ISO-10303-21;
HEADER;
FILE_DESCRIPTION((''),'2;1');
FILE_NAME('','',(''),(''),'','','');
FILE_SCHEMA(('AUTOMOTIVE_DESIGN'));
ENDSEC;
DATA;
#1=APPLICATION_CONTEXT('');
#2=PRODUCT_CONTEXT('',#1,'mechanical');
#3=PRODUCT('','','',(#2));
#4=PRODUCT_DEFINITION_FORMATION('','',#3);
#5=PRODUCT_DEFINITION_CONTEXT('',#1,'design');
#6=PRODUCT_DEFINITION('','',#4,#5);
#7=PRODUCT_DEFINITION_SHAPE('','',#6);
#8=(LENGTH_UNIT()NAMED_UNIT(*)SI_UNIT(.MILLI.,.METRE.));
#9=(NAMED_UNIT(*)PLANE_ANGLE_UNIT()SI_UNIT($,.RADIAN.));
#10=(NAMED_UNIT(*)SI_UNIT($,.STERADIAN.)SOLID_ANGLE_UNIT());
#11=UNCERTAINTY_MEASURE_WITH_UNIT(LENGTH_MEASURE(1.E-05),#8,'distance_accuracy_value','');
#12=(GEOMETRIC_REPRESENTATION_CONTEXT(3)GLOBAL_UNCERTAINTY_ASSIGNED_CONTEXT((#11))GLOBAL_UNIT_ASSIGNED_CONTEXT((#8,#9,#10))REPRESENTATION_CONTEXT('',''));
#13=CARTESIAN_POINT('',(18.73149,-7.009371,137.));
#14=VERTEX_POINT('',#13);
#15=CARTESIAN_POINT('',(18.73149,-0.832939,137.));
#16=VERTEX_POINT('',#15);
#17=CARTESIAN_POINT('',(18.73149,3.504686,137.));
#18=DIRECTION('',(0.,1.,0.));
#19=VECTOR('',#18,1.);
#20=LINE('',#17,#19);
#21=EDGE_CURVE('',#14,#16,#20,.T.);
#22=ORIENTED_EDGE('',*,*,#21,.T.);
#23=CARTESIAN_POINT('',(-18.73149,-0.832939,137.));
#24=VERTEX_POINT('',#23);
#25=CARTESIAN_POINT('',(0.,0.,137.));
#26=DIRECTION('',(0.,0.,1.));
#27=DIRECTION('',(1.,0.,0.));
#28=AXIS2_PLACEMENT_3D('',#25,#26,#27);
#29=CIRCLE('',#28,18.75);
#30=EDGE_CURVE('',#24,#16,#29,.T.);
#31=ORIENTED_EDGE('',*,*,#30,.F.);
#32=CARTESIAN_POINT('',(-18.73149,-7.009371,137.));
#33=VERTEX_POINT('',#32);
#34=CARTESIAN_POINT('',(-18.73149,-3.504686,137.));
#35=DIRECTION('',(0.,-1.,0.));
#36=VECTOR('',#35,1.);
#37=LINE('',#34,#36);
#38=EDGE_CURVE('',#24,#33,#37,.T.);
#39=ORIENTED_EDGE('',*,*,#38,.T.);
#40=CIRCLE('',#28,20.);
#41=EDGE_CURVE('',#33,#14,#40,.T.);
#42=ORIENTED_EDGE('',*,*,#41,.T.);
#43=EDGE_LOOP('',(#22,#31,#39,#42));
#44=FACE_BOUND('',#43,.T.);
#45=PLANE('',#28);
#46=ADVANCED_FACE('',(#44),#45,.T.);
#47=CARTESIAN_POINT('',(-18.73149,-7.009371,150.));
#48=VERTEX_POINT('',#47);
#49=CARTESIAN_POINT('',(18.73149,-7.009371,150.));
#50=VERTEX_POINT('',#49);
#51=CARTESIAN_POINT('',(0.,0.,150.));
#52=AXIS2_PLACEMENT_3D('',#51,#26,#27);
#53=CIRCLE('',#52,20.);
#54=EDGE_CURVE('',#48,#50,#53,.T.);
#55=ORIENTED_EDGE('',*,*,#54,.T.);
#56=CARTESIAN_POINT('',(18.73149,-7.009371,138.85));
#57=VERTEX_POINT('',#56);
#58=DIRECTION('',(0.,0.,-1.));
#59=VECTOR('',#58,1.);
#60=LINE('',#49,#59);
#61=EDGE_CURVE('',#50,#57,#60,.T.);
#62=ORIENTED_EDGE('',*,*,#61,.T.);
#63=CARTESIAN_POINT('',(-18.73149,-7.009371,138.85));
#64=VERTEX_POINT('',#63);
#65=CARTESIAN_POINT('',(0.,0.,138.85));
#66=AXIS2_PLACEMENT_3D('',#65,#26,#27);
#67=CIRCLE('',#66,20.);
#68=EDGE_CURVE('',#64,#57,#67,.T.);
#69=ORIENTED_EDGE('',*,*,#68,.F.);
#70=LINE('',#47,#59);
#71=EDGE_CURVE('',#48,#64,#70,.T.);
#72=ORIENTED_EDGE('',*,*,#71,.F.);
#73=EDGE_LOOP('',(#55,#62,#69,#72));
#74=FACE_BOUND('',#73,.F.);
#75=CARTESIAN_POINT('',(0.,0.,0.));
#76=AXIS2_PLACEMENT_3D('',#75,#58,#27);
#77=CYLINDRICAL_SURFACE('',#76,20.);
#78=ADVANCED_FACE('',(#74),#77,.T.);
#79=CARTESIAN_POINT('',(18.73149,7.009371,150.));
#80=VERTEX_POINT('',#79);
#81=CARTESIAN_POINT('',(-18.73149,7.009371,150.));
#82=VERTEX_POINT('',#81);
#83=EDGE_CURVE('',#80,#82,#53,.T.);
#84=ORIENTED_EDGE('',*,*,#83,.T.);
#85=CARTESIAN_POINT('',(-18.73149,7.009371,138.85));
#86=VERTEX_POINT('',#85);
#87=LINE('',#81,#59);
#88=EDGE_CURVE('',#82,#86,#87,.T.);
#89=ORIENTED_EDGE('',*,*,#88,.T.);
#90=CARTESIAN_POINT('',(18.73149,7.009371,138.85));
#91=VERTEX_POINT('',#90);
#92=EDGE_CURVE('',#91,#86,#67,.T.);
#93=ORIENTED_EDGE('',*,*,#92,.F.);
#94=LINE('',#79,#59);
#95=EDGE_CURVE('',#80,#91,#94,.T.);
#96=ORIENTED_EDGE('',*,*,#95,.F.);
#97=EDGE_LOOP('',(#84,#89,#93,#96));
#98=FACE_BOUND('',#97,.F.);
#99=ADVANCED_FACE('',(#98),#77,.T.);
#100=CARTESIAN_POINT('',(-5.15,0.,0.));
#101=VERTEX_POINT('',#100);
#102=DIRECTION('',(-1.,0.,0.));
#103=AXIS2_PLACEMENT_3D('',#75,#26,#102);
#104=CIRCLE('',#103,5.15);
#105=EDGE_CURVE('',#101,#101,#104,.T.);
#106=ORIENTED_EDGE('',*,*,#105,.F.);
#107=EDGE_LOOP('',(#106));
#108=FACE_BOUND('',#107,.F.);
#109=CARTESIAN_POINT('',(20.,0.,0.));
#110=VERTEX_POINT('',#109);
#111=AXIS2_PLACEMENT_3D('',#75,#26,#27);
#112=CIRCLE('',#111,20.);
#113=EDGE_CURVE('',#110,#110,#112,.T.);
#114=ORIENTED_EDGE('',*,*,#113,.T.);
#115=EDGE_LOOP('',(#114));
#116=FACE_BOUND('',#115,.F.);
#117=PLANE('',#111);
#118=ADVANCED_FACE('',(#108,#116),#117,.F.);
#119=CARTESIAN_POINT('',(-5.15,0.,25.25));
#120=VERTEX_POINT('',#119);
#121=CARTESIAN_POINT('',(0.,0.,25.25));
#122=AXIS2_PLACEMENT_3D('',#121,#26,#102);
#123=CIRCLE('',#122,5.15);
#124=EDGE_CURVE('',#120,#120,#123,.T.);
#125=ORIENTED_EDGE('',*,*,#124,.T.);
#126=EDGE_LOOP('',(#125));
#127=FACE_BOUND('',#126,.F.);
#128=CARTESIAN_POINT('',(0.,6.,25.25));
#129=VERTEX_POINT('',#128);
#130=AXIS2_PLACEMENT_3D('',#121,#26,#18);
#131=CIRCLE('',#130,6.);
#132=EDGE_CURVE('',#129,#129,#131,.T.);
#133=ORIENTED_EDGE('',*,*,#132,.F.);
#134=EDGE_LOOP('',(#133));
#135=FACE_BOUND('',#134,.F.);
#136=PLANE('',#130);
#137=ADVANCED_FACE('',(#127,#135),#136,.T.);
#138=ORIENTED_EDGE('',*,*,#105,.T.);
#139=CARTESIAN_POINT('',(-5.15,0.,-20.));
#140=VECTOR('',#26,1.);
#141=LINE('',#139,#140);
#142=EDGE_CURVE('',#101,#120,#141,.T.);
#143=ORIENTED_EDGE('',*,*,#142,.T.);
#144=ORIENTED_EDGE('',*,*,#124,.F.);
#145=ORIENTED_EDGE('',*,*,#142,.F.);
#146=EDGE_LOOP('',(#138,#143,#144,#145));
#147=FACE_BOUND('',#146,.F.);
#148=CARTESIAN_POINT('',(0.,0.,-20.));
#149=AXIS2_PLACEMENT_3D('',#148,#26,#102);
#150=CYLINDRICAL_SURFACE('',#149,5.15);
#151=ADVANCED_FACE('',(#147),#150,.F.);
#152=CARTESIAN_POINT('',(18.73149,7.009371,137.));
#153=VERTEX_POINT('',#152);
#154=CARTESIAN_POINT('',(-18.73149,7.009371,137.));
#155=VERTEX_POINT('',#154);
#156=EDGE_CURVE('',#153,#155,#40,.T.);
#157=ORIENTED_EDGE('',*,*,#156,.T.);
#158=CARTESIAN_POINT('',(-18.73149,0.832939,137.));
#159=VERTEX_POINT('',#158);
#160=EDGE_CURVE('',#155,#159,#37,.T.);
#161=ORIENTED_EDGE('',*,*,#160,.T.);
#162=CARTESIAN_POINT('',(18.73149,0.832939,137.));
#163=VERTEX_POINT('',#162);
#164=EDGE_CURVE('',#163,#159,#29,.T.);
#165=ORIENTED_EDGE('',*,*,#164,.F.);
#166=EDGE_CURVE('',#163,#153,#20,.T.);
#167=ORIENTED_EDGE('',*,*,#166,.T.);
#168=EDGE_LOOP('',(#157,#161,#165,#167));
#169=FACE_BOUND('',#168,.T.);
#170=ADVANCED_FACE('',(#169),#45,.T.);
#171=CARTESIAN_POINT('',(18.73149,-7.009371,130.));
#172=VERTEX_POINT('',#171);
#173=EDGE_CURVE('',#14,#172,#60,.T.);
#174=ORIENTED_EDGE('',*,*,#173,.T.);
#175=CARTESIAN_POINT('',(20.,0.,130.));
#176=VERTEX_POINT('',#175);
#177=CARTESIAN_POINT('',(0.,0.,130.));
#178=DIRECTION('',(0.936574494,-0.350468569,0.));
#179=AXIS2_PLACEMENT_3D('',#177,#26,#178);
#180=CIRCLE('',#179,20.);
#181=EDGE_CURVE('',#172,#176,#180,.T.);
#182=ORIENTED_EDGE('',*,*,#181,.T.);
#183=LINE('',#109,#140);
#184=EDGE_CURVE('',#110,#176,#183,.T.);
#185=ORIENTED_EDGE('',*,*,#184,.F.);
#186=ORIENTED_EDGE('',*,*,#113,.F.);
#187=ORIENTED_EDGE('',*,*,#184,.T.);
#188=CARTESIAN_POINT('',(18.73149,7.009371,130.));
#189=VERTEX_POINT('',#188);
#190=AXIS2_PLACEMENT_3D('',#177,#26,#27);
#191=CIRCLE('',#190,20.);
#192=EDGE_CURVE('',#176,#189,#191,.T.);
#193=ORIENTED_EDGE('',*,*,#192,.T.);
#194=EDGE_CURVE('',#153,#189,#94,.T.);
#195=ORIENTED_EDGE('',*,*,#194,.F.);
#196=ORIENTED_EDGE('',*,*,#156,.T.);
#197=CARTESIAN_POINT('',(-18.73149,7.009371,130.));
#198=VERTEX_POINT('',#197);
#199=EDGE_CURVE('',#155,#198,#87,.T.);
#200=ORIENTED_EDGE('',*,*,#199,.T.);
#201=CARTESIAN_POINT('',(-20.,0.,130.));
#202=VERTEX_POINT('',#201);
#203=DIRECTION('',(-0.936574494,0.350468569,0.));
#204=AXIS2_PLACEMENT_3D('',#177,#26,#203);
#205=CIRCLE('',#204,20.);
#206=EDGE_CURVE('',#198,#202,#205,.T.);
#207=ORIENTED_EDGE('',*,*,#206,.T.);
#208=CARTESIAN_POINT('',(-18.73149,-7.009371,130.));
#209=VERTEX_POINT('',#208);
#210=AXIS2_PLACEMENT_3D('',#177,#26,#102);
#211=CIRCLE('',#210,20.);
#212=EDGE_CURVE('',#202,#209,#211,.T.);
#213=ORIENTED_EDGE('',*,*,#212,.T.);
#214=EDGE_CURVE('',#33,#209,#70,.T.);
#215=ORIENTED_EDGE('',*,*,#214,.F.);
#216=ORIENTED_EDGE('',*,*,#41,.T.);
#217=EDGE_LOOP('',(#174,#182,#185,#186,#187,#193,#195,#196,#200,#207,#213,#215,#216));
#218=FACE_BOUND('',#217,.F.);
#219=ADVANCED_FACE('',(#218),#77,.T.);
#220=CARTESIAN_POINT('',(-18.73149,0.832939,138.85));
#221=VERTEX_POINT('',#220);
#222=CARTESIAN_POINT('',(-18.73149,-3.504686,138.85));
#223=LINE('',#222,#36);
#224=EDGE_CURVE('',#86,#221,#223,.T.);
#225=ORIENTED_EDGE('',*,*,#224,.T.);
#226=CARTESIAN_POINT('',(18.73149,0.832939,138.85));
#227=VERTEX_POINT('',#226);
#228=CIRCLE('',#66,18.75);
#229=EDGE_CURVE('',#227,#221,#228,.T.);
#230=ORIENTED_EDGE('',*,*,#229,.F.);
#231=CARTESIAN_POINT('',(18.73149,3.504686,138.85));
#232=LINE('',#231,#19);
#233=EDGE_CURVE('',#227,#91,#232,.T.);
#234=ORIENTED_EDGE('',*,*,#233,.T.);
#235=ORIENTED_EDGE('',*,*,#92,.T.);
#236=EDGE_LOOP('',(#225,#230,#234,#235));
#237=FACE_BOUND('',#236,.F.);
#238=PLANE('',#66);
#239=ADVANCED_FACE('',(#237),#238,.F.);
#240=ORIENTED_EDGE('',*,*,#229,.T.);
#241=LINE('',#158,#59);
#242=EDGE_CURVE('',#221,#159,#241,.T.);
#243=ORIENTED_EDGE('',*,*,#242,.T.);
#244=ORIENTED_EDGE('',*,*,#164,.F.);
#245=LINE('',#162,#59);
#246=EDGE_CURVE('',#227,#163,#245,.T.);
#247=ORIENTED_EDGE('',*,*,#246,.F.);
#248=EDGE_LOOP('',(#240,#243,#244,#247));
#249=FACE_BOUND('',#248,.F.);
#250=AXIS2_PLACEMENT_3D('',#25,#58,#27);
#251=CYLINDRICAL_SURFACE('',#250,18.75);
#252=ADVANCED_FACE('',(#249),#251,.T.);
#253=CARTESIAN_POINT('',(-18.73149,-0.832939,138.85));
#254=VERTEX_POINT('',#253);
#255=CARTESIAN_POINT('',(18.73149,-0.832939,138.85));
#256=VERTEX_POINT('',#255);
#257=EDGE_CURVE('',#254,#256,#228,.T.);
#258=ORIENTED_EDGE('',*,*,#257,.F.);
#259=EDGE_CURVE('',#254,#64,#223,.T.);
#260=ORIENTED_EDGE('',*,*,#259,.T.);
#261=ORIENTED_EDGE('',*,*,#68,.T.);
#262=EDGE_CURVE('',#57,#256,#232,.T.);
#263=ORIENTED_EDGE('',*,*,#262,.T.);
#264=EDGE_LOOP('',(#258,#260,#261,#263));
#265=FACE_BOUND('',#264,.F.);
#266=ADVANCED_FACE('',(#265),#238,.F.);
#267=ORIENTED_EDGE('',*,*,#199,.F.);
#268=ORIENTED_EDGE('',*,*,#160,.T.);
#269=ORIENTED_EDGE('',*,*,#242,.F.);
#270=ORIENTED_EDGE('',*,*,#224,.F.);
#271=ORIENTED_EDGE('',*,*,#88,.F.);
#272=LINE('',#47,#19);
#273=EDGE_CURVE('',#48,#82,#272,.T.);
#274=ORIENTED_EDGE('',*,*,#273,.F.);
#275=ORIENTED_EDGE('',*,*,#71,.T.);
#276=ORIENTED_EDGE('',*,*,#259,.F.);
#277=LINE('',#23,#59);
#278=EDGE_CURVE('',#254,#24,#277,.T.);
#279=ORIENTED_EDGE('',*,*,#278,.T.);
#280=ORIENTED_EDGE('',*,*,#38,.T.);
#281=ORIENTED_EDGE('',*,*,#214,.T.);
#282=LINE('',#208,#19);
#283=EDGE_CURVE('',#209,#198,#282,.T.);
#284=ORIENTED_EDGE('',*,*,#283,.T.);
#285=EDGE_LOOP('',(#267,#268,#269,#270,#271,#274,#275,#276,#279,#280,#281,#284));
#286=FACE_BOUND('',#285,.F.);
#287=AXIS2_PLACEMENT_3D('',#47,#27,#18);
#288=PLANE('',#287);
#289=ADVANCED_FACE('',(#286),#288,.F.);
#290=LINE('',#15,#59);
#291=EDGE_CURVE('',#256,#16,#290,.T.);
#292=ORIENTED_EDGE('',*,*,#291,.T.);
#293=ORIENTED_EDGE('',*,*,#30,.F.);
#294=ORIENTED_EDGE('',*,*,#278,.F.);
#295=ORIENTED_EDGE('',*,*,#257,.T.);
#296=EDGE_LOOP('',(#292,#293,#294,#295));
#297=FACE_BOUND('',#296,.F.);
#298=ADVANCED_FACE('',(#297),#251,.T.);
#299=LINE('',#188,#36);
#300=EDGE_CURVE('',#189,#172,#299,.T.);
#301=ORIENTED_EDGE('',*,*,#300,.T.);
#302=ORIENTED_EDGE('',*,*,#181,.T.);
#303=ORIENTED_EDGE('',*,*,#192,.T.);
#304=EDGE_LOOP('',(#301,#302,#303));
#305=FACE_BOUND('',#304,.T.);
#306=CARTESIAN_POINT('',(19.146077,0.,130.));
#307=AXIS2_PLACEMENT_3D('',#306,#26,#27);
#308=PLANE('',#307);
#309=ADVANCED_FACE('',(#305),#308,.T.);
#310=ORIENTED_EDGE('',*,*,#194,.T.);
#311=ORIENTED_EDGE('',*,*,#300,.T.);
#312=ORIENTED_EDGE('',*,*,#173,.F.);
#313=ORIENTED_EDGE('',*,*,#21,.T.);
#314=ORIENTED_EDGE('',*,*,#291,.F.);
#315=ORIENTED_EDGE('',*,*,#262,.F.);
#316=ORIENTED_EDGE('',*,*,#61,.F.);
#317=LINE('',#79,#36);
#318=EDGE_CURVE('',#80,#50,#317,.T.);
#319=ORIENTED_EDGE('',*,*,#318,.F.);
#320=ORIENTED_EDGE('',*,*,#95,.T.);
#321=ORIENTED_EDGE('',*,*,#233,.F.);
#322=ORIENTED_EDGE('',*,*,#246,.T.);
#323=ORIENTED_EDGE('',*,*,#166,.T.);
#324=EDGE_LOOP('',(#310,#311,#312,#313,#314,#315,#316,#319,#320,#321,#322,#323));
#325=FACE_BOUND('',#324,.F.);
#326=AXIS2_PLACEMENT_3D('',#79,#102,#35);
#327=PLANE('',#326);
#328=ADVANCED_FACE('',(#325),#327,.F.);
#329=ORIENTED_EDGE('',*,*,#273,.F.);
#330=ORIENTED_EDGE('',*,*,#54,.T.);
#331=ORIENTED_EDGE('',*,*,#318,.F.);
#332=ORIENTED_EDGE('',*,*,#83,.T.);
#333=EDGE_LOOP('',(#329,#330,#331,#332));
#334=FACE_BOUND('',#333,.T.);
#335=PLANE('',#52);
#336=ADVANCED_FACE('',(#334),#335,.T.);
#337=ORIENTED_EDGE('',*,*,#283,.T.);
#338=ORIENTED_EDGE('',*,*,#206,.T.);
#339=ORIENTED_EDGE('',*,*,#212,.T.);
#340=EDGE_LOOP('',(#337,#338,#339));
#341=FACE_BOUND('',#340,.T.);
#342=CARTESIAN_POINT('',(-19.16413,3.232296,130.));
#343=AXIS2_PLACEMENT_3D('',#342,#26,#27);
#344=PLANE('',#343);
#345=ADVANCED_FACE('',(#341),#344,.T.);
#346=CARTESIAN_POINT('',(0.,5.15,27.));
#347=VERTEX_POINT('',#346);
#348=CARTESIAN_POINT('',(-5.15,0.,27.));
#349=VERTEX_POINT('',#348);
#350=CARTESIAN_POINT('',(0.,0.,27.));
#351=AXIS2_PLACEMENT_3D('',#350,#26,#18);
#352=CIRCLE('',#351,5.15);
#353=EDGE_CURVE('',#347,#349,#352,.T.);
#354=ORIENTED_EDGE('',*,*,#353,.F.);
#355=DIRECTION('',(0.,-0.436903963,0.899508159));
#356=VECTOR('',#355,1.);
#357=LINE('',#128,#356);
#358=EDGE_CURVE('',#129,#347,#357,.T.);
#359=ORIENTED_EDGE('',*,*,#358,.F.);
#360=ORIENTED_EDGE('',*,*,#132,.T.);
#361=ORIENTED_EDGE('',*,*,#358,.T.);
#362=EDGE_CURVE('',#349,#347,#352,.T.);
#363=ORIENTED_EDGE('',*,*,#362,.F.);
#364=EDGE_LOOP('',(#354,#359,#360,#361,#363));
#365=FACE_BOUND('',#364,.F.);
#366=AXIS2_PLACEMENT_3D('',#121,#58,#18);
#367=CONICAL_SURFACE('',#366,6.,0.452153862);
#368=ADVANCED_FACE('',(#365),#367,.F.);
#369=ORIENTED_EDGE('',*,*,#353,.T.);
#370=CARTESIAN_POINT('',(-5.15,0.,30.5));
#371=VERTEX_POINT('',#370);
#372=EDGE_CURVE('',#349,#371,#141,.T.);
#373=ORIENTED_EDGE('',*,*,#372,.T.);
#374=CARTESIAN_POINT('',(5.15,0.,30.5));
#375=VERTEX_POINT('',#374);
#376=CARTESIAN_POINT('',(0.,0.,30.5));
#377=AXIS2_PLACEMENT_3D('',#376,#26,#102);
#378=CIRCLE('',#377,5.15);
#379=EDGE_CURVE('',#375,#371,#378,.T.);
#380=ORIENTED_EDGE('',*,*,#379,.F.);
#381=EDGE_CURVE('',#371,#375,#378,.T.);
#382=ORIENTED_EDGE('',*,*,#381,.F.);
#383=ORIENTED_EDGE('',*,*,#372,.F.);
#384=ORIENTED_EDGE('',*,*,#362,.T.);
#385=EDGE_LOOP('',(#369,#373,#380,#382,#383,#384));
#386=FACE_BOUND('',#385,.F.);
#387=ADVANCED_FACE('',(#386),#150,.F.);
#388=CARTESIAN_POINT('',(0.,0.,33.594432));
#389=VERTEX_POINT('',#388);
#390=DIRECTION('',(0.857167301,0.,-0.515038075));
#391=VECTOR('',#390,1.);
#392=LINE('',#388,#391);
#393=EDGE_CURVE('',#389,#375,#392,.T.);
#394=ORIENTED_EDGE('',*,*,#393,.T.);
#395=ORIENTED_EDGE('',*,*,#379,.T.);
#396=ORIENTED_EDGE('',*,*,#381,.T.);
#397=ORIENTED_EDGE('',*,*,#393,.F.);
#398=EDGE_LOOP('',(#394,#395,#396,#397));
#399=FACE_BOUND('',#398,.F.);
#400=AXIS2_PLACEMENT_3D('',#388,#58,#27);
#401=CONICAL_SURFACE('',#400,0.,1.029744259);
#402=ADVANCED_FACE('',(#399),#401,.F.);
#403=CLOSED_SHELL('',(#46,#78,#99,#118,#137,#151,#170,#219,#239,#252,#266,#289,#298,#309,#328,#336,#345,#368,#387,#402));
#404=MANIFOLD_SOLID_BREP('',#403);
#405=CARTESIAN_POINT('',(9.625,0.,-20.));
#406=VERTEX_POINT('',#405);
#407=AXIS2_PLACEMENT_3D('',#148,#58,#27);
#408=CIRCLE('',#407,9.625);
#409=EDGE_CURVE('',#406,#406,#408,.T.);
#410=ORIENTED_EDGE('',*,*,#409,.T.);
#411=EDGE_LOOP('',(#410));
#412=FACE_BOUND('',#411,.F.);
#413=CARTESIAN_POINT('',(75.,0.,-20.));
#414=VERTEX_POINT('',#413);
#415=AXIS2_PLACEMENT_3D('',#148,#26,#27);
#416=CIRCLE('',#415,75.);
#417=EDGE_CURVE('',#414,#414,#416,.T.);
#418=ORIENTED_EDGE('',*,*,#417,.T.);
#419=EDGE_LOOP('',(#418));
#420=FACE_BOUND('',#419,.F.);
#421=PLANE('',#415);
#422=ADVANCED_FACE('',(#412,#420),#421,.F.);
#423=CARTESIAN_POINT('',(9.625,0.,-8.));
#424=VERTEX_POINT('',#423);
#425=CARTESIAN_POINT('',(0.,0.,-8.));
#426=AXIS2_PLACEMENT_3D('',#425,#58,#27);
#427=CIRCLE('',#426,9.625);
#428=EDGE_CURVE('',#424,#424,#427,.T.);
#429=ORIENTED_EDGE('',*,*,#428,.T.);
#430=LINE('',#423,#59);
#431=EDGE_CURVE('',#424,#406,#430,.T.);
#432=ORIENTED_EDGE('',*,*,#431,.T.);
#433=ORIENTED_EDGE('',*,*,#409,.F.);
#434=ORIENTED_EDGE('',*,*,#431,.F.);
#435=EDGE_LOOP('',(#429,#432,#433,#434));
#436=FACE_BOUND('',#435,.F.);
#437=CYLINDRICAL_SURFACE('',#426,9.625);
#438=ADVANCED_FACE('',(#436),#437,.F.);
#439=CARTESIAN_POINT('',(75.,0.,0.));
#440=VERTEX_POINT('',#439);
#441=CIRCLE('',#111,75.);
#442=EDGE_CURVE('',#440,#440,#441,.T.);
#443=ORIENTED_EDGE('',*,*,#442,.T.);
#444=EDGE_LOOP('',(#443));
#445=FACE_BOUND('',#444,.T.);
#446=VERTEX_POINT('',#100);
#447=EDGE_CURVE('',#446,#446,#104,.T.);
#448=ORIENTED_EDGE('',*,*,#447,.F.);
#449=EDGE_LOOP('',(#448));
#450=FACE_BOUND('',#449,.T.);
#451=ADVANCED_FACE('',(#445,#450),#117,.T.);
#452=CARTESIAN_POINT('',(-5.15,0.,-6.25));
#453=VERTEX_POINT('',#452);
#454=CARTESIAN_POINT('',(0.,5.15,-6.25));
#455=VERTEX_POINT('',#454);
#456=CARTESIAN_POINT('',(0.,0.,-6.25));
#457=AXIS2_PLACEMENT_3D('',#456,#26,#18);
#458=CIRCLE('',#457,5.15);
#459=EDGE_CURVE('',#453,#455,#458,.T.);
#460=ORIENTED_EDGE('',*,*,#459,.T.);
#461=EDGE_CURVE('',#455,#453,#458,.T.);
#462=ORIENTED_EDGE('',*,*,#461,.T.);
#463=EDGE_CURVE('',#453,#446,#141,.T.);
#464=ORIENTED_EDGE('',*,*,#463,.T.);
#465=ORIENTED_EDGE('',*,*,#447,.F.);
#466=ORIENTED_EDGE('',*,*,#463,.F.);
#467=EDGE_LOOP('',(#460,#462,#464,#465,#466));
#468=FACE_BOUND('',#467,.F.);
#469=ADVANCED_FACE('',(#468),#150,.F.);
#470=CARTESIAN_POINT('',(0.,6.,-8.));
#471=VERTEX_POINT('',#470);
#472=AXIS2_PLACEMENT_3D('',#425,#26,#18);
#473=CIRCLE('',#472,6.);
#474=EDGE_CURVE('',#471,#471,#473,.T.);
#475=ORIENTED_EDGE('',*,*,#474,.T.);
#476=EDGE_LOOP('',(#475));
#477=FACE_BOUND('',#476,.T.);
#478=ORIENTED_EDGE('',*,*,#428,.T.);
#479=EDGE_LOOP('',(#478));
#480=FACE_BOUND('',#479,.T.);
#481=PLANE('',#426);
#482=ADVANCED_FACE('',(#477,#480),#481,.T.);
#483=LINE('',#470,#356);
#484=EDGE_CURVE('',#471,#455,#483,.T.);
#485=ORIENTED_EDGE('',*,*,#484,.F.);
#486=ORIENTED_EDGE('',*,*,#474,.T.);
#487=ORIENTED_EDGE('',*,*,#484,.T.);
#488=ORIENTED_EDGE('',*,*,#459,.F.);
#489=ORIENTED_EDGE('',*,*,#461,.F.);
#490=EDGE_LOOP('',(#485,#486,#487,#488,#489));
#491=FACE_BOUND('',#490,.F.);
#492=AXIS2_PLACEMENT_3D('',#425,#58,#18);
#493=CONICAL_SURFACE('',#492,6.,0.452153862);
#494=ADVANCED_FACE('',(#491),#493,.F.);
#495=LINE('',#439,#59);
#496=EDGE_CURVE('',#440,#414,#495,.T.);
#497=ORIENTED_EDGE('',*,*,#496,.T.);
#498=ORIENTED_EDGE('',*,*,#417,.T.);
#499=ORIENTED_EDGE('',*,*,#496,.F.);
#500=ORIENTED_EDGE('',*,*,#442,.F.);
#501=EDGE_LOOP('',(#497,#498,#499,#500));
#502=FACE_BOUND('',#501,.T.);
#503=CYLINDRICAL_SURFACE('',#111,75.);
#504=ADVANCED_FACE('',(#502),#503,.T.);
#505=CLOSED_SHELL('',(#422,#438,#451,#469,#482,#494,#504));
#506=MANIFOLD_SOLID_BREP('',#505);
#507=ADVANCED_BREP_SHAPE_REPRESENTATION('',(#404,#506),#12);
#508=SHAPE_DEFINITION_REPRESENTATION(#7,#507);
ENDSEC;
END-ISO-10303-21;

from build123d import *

# Parameters (mm, degrees)
F0_R             = 75
F0_R_2           = 20
F1_DEPTH         = 20
F2_DEPTH         = 150
F4_D             = 10.3
F4_DEPTH         = 50.5
F4_CBORE_D       = 19.25
F4_CBORE_DEPTH   = 12
F4_TIP           = 3.094432188
F4_2_D           = 10.3
F4_2_DEPTH       = 50.5
F4_2_CBORE_D     = 19.25
F4_2_CBORE_DEPTH = 12
F4_2_TIP         = 3.094432188
F8_DEPTH         = 20
F10_R            = 20
F10_R_2          = 18.75
F11_DEPTH        = 1.85


with BuildPart() as f1:
    # F0 (on Top) → F1 (new body)
    with BuildSketch(Plane.XY):
        Circle(F0_R)
        Circle(F0_R_2, mode=Mode.SUBTRACT)
        Circle(F0_R_2)
    extrude(amount=-F1_DEPTH)

    # F4
    with Locations(Plane(origin=(0, 0, -20), x_dir=(1, 0, 0), z_dir=(0, 0, -1))):
        with Locations((0, 0)):
            CounterBoreHole(F4_D / 2, F4_CBORE_D / 2, F4_CBORE_DEPTH, depth=F4_DEPTH)
            with Locations((0, 0, -(F4_DEPTH + F4_TIP / 2))):  # 118° drill point
                Cone(0, F4_D / 2, F4_TIP, mode=Mode.SUBTRACT)


with BuildPart() as f2:
    # F0 (on Top) → F2 (new body)
    with BuildSketch(Plane.XY):
        Circle(F0_R_2)
    extrude(amount=F2_DEPTH)

    # F4#2
    with Locations(Plane(origin=(0, 0, -20), x_dir=(1, 0, 0), z_dir=(0, 0, -1))):
        with Locations((0, 0)):
            CounterBoreHole(F4_2_D / 2, F4_2_CBORE_D / 2, F4_2_CBORE_DEPTH, depth=F4_2_DEPTH)
            with Locations((0, 0, -(F4_2_DEPTH + F4_2_TIP / 2))):  # 118° drill point
                Cone(0, F4_2_D / 2, F4_2_TIP, mode=Mode.SUBTRACT)


with BuildPart() as f6_tool:
    # F5 (on Right) → F6 (revolve)
    with BuildSketch(Plane.YZ):
        Polygon((6, 25.25), (5.15, 27), (5.15, 25.25), align=None)
        Polygon((5.15, -8), (6, -8), (5.15, -6.25), align=None)
    revolve(axis=Axis((0, 0, 3.5), (0, 0, 1)))


with BuildPart() as f1_1:
    add(f1.part)

    # F6: cut by f6_tool
    add(f6_tool.part, mode=Mode.SUBTRACT)


with BuildPart() as f2_1:
    add(f2.part)

    # F6: cut by f6_tool
    add(f6_tool.part, mode=Mode.SUBTRACT)

    # F7 (on face) → F8 (cut)
    with BuildSketch(Plane.XY.offset(150)):
        with BuildLine():
            Line((-20, 0), (-18.7314898701, 0))
            Line((-18.7314898701, 0), (-18.7314898701, 7.0093713873))
            ThreePointArc((-18.7314898701, 7.0093713873), (-19.6803175457, 3.5616149846), (-20, 0))
        make_face()
        with BuildLine():
            Line((-18.7314898701, -7.0093713873), (-18.7314898701, 0))
            Line((-18.7314898701, 0), (-20, 0))
            ThreePointArc((-20, 0), (-19.6803175457, -3.5616149846), (-18.7314898701, -7.0093713873))
        make_face()
        with BuildLine():
            ThreePointArc((20, 0), (19.6803175457, 3.5616149846), (18.7314898701, 7.0093713873))
            Line((18.7314898701, 7.0093713873), (18.7314898701, 0))
            Line((18.7314898701, 0), (18.7314898701, -7.0093713873))
            ThreePointArc((18.7314898701, -7.0093713873), (19.6803175457, -3.5616149846), (20, 0))
        make_face()
    extrude(amount=-F8_DEPTH, mode=Mode.SUBTRACT)

    # F10 (on offset) → F11 (cut)
    with BuildSketch(Plane.XY.offset(137)):
        Circle(F10_R)
        Circle(F10_R_2, mode=Mode.SUBTRACT)
    extrude(amount=F11_DEPTH, mode=Mode.SUBTRACT)


solid = Compound([f1_1.part, f2_1.part])
